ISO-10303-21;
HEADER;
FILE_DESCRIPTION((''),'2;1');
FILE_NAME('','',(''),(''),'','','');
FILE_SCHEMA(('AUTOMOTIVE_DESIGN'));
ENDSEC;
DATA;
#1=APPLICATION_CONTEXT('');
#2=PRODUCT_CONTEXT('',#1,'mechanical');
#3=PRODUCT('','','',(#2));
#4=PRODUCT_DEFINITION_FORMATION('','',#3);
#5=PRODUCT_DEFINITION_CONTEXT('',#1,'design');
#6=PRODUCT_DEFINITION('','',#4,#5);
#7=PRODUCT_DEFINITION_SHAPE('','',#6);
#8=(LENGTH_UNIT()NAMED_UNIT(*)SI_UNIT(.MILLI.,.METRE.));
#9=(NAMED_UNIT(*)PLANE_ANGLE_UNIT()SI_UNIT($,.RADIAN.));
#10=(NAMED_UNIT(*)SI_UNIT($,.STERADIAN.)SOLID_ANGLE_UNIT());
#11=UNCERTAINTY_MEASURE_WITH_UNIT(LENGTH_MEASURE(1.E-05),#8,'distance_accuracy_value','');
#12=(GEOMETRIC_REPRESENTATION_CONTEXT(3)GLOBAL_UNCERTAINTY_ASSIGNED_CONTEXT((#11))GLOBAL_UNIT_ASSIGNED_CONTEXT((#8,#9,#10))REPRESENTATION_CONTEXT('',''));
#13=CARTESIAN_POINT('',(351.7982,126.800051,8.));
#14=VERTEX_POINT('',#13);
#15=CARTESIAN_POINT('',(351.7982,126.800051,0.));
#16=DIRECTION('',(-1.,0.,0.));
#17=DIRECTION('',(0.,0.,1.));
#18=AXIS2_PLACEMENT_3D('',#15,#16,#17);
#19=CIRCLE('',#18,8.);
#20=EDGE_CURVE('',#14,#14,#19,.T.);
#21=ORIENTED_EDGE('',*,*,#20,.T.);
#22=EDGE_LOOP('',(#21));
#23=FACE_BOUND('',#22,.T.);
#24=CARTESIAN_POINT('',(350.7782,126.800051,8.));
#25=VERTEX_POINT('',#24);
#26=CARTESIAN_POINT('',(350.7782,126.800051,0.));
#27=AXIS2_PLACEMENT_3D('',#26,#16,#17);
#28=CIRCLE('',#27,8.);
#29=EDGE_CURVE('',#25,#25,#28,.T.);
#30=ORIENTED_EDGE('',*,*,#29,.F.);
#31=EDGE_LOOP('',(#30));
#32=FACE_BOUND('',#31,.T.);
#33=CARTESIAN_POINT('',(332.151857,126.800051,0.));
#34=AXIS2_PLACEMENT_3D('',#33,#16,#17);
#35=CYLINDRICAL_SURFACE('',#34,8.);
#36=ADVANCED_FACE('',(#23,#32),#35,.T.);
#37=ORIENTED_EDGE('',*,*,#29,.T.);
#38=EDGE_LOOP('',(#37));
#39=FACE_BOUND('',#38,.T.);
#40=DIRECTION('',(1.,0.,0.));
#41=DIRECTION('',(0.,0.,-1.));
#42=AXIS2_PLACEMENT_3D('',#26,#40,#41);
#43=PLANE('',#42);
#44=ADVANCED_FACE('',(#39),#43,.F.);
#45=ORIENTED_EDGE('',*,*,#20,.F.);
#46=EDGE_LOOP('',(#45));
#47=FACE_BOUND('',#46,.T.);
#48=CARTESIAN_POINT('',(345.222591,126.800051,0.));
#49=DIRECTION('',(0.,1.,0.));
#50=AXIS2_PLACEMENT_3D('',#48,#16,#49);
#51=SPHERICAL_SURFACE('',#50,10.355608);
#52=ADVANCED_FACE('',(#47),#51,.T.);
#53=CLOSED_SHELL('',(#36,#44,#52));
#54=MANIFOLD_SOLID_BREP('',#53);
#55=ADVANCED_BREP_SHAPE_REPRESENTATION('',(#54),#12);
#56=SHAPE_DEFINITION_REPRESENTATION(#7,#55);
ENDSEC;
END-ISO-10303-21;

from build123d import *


with BuildPart() as part:
    # 草图1 → 旋转1 (revolve)
    with BuildSketch(Plane.XY):
        with BuildLine():
            Line((350.77819975, 126.800050535), (350.77819975, 134.800050535))
            Line((350.77819975, 134.800050535), (351.79819975, 134.800050535))
            ThreePointArc((351.79819975, 134.800050535), (354.585631746, 131.224087153), (355.57819975, 126.800050535))
            Line((355.57819975, 126.800050535), (350.77819975, 126.800050535))
        make_face()
    revolve(axis=Axis((332.151856648, 126.800050535, 0), (1, 0, 0)))


solid = part.part
